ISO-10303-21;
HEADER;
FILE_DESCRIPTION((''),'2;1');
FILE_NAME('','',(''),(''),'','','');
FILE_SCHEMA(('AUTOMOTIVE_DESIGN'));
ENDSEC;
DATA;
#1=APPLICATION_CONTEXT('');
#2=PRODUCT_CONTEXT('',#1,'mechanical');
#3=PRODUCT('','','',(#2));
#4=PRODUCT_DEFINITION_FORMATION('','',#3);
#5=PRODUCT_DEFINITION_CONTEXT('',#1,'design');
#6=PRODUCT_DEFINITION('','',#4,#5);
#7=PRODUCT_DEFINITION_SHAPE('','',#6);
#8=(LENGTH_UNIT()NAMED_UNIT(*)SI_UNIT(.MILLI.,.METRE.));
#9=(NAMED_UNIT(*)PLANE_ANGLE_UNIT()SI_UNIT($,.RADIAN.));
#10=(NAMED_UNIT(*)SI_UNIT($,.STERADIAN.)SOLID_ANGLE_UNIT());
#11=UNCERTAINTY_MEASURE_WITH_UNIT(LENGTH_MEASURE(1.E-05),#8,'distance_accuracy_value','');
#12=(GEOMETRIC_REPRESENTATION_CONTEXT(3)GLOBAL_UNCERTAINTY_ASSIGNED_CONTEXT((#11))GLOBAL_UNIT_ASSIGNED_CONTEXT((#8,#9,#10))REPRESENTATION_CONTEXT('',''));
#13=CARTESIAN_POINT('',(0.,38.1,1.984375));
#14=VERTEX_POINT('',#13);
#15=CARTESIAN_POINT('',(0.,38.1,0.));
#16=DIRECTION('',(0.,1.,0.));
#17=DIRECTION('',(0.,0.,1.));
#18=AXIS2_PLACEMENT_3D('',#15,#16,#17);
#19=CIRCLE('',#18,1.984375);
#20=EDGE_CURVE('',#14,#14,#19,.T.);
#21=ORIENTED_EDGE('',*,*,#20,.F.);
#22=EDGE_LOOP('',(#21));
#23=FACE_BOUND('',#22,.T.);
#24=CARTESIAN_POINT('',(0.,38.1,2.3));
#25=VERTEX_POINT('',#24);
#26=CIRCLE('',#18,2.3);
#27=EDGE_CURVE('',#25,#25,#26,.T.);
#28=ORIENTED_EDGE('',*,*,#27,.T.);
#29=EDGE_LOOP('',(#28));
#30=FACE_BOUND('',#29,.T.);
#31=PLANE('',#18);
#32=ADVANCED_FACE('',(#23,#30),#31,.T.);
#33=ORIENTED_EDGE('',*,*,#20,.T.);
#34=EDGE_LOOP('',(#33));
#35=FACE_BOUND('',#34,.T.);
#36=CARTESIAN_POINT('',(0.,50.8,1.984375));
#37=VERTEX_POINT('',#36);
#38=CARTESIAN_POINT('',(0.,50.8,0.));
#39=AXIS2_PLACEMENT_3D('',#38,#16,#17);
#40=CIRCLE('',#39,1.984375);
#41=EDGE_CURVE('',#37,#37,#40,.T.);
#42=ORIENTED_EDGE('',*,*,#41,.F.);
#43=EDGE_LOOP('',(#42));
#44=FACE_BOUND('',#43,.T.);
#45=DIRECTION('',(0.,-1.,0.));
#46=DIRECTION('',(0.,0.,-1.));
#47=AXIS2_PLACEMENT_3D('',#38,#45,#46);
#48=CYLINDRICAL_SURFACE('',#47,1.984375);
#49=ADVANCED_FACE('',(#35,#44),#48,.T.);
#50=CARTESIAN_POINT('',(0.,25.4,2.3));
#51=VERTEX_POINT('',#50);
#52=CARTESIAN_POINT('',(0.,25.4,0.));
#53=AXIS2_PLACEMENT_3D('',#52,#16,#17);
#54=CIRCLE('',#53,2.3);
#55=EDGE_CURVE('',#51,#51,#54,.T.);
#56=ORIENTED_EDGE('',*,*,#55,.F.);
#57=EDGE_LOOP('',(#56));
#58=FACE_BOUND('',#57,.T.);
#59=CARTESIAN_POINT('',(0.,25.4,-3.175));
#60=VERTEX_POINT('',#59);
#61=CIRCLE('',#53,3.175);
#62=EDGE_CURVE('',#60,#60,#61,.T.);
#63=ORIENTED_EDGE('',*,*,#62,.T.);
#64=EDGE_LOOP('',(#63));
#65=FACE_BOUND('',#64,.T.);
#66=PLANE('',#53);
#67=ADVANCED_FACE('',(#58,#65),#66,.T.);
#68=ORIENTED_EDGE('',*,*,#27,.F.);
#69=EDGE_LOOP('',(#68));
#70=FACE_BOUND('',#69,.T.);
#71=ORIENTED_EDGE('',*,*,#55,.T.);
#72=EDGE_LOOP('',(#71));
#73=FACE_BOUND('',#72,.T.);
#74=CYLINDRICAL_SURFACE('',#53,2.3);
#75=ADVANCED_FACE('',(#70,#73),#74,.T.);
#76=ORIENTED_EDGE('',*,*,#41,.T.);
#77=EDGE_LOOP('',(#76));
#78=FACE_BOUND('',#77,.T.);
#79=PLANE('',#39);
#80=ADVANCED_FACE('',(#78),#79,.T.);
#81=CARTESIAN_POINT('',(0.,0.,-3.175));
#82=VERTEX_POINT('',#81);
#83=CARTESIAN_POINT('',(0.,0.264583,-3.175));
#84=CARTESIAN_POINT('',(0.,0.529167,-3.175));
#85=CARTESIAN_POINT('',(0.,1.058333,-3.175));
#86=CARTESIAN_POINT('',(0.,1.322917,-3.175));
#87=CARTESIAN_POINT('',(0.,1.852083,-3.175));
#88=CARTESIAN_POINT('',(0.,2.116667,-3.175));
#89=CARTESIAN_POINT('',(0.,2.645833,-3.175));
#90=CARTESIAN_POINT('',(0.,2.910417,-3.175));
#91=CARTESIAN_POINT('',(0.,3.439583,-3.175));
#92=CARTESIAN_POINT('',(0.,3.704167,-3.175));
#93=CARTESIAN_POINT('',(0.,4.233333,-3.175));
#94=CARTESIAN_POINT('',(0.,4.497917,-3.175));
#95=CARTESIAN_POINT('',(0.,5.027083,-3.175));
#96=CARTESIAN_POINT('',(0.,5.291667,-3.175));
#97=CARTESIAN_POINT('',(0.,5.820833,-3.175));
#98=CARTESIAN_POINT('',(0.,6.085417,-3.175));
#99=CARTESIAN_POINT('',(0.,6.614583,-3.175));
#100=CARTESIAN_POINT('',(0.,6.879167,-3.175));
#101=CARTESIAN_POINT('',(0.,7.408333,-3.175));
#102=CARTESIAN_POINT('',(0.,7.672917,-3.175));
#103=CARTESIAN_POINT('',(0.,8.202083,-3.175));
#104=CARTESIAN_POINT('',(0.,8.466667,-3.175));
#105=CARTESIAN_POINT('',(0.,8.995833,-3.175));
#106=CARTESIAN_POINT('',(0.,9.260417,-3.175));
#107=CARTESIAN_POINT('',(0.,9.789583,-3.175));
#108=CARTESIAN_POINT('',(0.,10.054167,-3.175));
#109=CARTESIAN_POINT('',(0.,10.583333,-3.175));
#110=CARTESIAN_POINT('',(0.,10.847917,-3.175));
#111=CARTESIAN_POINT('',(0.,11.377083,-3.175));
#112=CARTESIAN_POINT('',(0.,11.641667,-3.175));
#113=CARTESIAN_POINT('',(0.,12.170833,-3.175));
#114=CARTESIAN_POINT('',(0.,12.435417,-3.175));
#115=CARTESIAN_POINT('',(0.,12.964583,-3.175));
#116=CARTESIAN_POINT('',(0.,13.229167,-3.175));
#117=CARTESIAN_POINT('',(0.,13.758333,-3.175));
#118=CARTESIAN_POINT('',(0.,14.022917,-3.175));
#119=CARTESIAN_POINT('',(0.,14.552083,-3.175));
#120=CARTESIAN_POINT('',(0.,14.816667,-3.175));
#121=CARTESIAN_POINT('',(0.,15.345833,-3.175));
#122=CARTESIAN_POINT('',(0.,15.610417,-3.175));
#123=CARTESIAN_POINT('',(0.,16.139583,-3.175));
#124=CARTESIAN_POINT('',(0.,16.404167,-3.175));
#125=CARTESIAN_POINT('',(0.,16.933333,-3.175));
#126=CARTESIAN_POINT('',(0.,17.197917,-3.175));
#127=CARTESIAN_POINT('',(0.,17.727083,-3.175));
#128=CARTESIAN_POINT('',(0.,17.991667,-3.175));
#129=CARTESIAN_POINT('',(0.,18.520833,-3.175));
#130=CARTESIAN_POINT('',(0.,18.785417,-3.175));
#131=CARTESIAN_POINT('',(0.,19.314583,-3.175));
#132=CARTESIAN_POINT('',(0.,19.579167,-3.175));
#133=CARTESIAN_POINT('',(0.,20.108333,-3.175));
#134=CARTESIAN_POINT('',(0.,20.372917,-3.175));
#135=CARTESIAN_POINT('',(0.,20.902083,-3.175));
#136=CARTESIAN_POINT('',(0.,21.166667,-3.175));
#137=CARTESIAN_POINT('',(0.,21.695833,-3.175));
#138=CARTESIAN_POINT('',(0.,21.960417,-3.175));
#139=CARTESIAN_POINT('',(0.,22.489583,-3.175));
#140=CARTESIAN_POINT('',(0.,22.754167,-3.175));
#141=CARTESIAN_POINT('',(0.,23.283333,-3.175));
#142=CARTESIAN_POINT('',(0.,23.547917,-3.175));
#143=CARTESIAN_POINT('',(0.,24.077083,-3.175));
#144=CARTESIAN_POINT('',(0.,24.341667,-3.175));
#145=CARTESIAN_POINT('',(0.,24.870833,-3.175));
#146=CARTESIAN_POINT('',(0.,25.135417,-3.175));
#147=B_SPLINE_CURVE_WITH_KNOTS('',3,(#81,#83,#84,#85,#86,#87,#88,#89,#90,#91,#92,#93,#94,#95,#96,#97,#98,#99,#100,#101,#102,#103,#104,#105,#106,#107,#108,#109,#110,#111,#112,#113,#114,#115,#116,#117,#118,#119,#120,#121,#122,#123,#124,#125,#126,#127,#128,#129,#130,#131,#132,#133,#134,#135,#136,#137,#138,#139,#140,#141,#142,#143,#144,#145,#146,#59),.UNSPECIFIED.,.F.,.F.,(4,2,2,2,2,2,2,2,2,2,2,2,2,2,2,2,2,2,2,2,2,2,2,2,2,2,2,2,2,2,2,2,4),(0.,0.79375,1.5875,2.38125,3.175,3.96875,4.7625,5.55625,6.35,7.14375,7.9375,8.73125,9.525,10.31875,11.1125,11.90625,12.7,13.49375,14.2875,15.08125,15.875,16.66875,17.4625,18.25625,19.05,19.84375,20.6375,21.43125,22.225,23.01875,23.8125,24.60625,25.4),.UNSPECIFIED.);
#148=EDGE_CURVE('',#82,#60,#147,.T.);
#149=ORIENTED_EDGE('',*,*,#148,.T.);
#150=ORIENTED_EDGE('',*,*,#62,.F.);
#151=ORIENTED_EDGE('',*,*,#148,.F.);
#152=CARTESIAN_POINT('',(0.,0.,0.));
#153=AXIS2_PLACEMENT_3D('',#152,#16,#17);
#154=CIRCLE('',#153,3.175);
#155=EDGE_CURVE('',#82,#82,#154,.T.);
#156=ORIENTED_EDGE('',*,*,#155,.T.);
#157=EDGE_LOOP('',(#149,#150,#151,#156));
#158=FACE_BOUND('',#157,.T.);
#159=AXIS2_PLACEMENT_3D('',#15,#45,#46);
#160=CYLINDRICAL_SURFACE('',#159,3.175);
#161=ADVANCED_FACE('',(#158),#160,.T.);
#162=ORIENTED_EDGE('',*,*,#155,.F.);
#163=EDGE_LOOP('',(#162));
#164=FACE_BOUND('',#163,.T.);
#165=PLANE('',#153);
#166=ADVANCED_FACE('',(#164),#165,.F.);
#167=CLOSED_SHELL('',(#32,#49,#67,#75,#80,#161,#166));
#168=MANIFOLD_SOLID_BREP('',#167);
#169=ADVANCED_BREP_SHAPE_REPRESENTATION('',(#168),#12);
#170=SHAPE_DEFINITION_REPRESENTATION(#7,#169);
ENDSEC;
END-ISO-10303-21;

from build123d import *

# Parameters (mm, degrees)
SKETCH1_R           = 3.175
BOSS_EXTRUDE1_DEPTH = 38.1
SKETCH2_R           = 3.591307694
SKETCH2_R_2         = 2.3
CUT_EXTRUDE1_DEPTH  = 12.7
SKETCH3_R           = 1.984375
BOSS_EXTRUDE2_DEPTH = 12.7


with BuildPart() as part:
    # Sketch1 → Boss-Extrude1 (new body)
    with BuildSketch(Plane(origin=(0, 0, 0), x_dir=(1, 0, 0), z_dir=(0, 1, 0))):
        with Locations(Location((0, 0, 0), (0, 0, 90))):
            Circle(SKETCH1_R)
    extrude(amount=BOSS_EXTRUDE1_DEPTH)

    # Sketch2 → Cut-Extrude1 (cut)
    with BuildSketch(Plane(origin=(0, 38.1, 0), x_dir=(1, 0, 0), z_dir=(0, 1, 0))):
        Circle(SKETCH2_R)
        with Locations(Location((0, 0, 0), (0, 0, 270))):
            Circle(SKETCH2_R_2, mode=Mode.SUBTRACT)
    extrude(amount=-CUT_EXTRUDE1_DEPTH, mode=Mode.SUBTRACT)

    # Sketch3 → Boss-Extrude2 (add)
    with BuildSketch(Plane(origin=(0, 38.1, 0), x_dir=(1, 0, 0), z_dir=(0, 1, 0))):
        with Locations(Location((0, 0, 0), (0, 0, 270))):
            Circle(SKETCH3_R)
    extrude(amount=BOSS_EXTRUDE2_DEPTH)


solid = part.part
